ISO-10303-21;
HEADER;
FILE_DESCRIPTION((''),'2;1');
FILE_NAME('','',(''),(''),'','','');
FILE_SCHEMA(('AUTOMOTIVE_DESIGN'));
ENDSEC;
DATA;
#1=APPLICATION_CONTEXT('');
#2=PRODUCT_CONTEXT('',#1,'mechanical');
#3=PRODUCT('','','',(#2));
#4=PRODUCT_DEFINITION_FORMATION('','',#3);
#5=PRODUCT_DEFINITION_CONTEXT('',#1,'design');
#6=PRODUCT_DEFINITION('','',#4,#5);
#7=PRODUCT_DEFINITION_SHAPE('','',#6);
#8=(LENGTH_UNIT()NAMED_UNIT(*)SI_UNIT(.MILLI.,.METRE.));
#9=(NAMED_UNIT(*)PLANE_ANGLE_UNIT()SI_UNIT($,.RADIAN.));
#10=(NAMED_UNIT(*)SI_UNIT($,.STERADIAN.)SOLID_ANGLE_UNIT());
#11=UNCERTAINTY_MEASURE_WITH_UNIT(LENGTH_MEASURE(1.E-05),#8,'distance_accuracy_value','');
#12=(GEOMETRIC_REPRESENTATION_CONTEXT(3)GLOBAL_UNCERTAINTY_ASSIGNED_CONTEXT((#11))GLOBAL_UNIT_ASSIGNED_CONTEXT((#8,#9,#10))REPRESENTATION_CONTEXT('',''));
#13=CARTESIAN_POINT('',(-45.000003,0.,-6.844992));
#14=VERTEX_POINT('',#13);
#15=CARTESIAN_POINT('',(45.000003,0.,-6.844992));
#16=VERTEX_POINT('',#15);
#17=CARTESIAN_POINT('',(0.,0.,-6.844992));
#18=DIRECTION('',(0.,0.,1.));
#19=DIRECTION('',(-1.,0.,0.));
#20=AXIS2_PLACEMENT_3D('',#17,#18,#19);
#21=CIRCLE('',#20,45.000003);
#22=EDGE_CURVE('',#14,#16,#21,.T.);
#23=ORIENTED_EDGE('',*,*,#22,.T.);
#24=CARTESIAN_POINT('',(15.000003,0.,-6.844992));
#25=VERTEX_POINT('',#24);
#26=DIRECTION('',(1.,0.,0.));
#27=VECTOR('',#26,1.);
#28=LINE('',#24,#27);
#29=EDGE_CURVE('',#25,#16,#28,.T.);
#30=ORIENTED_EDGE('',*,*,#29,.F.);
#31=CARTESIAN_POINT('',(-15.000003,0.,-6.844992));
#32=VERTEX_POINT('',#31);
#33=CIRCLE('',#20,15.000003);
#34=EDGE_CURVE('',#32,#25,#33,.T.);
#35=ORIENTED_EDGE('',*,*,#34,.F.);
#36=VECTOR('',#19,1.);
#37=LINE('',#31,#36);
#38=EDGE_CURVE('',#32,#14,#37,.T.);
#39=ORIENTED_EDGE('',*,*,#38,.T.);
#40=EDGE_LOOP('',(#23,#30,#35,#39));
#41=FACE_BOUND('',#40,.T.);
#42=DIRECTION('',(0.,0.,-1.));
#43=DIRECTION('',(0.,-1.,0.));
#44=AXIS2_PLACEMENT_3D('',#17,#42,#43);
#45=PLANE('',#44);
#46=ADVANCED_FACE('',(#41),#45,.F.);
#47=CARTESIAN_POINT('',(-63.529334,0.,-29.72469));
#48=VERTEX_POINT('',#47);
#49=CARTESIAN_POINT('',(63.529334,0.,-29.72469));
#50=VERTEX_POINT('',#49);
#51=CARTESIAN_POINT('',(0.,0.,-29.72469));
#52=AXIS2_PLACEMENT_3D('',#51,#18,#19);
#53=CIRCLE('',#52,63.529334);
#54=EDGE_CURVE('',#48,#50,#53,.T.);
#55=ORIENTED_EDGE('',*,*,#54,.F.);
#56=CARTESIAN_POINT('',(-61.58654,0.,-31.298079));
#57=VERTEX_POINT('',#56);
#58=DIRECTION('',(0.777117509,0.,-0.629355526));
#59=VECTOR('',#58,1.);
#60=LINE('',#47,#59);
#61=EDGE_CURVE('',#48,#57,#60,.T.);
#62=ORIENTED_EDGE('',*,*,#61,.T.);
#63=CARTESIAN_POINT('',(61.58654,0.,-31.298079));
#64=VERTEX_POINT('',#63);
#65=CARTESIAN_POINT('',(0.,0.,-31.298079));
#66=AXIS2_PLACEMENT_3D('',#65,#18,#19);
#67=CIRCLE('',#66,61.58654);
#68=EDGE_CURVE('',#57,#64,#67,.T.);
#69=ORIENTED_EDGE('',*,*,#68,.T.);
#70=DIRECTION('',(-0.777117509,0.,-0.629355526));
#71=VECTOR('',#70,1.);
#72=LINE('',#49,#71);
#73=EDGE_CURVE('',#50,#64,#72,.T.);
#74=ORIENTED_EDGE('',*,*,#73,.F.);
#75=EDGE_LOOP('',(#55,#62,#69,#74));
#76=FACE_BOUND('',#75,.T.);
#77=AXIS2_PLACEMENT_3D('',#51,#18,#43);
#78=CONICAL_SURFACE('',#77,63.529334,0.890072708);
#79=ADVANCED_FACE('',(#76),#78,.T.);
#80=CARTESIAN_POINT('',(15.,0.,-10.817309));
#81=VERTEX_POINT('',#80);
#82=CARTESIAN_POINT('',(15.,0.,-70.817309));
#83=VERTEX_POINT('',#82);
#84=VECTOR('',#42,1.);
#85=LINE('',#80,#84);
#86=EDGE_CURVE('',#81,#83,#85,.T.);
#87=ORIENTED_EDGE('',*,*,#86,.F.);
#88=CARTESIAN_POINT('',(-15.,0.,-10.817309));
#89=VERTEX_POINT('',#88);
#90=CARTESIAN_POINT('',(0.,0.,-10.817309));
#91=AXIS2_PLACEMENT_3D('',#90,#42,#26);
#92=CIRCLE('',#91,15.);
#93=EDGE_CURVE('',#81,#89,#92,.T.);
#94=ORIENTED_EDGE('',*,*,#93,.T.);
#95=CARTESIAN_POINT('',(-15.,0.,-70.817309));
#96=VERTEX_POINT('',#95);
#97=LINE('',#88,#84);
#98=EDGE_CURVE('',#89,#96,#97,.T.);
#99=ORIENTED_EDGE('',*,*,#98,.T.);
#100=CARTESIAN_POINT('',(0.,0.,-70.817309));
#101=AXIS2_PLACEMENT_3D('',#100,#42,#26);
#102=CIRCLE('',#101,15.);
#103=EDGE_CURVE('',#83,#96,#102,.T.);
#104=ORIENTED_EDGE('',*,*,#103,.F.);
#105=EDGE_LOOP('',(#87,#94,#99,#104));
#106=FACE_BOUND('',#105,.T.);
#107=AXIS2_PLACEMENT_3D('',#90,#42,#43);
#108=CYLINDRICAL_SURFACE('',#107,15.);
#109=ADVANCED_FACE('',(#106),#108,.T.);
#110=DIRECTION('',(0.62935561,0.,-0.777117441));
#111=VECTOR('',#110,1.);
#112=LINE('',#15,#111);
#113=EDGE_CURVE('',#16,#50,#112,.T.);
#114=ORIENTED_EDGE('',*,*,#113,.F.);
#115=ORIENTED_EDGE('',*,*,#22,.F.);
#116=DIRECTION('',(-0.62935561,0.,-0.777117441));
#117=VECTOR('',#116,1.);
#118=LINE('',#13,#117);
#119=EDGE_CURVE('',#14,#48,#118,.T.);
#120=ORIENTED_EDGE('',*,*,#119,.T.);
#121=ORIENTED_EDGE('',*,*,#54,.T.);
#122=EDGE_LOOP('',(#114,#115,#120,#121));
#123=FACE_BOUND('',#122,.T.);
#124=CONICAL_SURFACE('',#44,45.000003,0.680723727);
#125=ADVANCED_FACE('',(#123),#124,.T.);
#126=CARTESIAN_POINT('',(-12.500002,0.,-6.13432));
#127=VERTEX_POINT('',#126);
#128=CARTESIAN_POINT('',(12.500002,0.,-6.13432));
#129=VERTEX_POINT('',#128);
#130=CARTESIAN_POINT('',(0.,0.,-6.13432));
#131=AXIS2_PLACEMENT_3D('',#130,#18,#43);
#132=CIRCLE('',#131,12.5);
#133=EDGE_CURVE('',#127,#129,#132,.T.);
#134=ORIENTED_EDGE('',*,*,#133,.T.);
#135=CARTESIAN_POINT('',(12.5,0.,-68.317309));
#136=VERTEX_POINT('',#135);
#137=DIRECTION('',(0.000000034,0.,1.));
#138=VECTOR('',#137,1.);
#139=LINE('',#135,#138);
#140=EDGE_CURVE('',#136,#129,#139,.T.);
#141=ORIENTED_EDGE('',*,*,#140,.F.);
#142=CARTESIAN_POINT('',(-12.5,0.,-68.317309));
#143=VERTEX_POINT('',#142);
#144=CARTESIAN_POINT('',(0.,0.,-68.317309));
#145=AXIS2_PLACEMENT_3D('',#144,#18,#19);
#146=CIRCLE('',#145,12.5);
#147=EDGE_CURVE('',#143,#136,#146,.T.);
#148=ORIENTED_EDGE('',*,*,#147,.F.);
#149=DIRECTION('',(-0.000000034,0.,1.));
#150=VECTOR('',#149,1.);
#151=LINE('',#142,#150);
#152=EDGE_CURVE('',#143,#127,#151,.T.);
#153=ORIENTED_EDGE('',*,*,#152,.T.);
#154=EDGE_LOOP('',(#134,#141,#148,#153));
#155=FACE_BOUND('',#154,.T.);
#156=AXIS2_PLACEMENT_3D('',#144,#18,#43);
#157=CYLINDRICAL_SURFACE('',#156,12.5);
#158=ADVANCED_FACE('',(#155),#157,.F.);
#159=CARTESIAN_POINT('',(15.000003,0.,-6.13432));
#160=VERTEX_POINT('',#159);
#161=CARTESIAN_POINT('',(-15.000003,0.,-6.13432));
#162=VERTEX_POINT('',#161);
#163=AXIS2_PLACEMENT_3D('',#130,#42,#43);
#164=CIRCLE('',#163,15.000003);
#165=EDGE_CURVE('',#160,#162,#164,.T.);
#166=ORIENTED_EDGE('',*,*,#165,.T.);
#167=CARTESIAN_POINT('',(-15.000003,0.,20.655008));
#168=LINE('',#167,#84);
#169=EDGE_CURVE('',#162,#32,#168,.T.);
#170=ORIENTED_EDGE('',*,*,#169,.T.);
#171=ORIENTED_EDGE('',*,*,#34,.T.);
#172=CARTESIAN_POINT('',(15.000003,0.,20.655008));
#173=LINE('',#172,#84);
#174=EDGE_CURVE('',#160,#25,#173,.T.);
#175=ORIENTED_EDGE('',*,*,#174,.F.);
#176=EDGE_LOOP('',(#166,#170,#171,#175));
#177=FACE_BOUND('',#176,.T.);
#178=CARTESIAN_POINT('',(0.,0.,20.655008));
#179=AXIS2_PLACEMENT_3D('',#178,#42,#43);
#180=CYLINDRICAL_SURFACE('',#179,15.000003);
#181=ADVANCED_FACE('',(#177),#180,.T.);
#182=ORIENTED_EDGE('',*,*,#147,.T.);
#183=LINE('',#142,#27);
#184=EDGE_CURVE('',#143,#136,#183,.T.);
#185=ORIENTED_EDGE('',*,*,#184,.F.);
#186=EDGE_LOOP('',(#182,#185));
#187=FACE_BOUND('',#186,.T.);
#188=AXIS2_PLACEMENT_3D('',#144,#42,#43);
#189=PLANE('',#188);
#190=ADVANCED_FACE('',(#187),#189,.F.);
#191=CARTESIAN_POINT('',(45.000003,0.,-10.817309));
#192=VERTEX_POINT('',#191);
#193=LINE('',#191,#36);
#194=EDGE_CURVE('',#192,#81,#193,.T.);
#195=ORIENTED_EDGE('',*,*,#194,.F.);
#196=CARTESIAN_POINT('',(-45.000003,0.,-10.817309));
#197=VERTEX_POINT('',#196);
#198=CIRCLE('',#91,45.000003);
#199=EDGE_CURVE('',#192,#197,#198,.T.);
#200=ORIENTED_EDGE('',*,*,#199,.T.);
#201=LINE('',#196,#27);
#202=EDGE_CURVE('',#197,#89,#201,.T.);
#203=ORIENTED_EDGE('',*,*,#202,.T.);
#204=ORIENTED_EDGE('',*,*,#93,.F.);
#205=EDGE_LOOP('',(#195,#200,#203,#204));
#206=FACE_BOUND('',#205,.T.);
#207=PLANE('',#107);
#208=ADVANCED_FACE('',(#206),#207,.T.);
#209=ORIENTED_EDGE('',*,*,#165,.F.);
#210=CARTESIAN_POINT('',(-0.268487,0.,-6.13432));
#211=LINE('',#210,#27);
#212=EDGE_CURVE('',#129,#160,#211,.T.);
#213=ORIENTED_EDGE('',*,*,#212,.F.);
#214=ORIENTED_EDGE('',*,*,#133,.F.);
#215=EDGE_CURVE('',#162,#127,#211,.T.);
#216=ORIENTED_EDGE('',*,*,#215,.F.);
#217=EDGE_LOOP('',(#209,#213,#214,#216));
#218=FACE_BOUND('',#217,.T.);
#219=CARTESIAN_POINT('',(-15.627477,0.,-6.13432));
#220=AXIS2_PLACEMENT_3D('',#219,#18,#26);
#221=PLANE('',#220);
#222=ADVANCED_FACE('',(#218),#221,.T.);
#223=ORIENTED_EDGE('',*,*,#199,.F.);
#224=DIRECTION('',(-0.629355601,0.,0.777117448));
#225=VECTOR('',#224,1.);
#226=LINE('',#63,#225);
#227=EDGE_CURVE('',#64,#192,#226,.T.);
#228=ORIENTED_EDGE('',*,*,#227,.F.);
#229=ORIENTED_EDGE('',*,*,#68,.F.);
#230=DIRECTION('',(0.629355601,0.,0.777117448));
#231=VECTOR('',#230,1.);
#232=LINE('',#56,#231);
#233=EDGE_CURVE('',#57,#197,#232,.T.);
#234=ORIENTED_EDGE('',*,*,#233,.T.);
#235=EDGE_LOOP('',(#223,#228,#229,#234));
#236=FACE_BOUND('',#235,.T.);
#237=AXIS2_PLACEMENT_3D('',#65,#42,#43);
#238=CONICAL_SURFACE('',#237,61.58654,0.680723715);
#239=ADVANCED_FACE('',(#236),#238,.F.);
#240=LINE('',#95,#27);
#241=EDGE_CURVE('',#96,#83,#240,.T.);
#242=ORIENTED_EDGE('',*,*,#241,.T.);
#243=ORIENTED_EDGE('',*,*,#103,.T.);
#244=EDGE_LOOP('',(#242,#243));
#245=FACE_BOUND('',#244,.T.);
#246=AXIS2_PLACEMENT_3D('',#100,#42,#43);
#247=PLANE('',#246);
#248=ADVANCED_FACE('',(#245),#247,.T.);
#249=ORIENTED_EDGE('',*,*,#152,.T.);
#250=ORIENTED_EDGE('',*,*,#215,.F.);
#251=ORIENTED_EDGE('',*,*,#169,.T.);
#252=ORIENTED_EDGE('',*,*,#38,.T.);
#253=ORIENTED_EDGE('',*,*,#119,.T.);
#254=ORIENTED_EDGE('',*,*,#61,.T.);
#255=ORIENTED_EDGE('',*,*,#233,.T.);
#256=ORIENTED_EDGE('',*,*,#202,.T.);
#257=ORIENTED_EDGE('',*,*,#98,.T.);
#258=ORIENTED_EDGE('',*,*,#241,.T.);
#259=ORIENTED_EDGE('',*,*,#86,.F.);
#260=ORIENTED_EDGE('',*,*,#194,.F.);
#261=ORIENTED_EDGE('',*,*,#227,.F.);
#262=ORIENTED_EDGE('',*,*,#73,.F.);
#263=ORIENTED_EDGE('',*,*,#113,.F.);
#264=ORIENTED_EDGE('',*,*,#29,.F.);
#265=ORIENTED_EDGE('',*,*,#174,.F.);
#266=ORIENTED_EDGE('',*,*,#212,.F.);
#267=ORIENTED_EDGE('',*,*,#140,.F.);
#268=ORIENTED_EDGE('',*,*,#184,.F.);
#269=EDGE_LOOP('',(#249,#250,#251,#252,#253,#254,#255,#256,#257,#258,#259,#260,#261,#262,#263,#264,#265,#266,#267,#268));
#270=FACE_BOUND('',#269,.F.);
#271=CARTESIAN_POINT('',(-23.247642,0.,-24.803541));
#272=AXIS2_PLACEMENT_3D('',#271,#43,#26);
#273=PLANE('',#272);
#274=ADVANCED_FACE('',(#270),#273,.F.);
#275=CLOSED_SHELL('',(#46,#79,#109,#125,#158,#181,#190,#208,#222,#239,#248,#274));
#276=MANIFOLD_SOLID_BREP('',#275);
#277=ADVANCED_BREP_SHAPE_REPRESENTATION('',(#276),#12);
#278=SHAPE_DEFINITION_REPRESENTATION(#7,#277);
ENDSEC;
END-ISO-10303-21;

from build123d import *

# Parameters (mm, degrees)
F1_ANGLE = 180
F2_W     = 30.71798
F2_H     = 26.843641
F3_DEPTH = 100


with BuildPart() as f1:
    # F0 (on Right) → F1 (revolve, symmetric)
    with BuildSketch(Plane.YZ) as f1_sk:
        Polygon((-15, -70.817309), (0, -70.817309), (0, -68.317309), (-12.5, -68.317309), (-12.500003, 20.655008), (-15.000003, 20.655008), (-15.000003, -6.844992), (-45.000003, -6.844992), (-63.529334, -29.72469), (-61.58654, -31.298079), (-45.000003, -10.817309), (-15, -10.817309), align=None)
    revolve(axis=Axis((0, 0, -69.567309), (0, 0, 1)), revolution_arc=F1_ANGLE / 2)
    revolve(f1_sk.sketch, axis=Axis((0, 0, -69.567309), (0, 0, -1)), revolution_arc=F1_ANGLE / 2)

    # F2 (on Front) → F3 (cut)
    with BuildSketch(Plane.XZ):
        with Locations((-0.268487, 7.287501)):
            Rectangle(F2_W, F2_H)
    extrude(amount=F3_DEPTH, mode=Mode.SUBTRACT)


solid = f1.part
